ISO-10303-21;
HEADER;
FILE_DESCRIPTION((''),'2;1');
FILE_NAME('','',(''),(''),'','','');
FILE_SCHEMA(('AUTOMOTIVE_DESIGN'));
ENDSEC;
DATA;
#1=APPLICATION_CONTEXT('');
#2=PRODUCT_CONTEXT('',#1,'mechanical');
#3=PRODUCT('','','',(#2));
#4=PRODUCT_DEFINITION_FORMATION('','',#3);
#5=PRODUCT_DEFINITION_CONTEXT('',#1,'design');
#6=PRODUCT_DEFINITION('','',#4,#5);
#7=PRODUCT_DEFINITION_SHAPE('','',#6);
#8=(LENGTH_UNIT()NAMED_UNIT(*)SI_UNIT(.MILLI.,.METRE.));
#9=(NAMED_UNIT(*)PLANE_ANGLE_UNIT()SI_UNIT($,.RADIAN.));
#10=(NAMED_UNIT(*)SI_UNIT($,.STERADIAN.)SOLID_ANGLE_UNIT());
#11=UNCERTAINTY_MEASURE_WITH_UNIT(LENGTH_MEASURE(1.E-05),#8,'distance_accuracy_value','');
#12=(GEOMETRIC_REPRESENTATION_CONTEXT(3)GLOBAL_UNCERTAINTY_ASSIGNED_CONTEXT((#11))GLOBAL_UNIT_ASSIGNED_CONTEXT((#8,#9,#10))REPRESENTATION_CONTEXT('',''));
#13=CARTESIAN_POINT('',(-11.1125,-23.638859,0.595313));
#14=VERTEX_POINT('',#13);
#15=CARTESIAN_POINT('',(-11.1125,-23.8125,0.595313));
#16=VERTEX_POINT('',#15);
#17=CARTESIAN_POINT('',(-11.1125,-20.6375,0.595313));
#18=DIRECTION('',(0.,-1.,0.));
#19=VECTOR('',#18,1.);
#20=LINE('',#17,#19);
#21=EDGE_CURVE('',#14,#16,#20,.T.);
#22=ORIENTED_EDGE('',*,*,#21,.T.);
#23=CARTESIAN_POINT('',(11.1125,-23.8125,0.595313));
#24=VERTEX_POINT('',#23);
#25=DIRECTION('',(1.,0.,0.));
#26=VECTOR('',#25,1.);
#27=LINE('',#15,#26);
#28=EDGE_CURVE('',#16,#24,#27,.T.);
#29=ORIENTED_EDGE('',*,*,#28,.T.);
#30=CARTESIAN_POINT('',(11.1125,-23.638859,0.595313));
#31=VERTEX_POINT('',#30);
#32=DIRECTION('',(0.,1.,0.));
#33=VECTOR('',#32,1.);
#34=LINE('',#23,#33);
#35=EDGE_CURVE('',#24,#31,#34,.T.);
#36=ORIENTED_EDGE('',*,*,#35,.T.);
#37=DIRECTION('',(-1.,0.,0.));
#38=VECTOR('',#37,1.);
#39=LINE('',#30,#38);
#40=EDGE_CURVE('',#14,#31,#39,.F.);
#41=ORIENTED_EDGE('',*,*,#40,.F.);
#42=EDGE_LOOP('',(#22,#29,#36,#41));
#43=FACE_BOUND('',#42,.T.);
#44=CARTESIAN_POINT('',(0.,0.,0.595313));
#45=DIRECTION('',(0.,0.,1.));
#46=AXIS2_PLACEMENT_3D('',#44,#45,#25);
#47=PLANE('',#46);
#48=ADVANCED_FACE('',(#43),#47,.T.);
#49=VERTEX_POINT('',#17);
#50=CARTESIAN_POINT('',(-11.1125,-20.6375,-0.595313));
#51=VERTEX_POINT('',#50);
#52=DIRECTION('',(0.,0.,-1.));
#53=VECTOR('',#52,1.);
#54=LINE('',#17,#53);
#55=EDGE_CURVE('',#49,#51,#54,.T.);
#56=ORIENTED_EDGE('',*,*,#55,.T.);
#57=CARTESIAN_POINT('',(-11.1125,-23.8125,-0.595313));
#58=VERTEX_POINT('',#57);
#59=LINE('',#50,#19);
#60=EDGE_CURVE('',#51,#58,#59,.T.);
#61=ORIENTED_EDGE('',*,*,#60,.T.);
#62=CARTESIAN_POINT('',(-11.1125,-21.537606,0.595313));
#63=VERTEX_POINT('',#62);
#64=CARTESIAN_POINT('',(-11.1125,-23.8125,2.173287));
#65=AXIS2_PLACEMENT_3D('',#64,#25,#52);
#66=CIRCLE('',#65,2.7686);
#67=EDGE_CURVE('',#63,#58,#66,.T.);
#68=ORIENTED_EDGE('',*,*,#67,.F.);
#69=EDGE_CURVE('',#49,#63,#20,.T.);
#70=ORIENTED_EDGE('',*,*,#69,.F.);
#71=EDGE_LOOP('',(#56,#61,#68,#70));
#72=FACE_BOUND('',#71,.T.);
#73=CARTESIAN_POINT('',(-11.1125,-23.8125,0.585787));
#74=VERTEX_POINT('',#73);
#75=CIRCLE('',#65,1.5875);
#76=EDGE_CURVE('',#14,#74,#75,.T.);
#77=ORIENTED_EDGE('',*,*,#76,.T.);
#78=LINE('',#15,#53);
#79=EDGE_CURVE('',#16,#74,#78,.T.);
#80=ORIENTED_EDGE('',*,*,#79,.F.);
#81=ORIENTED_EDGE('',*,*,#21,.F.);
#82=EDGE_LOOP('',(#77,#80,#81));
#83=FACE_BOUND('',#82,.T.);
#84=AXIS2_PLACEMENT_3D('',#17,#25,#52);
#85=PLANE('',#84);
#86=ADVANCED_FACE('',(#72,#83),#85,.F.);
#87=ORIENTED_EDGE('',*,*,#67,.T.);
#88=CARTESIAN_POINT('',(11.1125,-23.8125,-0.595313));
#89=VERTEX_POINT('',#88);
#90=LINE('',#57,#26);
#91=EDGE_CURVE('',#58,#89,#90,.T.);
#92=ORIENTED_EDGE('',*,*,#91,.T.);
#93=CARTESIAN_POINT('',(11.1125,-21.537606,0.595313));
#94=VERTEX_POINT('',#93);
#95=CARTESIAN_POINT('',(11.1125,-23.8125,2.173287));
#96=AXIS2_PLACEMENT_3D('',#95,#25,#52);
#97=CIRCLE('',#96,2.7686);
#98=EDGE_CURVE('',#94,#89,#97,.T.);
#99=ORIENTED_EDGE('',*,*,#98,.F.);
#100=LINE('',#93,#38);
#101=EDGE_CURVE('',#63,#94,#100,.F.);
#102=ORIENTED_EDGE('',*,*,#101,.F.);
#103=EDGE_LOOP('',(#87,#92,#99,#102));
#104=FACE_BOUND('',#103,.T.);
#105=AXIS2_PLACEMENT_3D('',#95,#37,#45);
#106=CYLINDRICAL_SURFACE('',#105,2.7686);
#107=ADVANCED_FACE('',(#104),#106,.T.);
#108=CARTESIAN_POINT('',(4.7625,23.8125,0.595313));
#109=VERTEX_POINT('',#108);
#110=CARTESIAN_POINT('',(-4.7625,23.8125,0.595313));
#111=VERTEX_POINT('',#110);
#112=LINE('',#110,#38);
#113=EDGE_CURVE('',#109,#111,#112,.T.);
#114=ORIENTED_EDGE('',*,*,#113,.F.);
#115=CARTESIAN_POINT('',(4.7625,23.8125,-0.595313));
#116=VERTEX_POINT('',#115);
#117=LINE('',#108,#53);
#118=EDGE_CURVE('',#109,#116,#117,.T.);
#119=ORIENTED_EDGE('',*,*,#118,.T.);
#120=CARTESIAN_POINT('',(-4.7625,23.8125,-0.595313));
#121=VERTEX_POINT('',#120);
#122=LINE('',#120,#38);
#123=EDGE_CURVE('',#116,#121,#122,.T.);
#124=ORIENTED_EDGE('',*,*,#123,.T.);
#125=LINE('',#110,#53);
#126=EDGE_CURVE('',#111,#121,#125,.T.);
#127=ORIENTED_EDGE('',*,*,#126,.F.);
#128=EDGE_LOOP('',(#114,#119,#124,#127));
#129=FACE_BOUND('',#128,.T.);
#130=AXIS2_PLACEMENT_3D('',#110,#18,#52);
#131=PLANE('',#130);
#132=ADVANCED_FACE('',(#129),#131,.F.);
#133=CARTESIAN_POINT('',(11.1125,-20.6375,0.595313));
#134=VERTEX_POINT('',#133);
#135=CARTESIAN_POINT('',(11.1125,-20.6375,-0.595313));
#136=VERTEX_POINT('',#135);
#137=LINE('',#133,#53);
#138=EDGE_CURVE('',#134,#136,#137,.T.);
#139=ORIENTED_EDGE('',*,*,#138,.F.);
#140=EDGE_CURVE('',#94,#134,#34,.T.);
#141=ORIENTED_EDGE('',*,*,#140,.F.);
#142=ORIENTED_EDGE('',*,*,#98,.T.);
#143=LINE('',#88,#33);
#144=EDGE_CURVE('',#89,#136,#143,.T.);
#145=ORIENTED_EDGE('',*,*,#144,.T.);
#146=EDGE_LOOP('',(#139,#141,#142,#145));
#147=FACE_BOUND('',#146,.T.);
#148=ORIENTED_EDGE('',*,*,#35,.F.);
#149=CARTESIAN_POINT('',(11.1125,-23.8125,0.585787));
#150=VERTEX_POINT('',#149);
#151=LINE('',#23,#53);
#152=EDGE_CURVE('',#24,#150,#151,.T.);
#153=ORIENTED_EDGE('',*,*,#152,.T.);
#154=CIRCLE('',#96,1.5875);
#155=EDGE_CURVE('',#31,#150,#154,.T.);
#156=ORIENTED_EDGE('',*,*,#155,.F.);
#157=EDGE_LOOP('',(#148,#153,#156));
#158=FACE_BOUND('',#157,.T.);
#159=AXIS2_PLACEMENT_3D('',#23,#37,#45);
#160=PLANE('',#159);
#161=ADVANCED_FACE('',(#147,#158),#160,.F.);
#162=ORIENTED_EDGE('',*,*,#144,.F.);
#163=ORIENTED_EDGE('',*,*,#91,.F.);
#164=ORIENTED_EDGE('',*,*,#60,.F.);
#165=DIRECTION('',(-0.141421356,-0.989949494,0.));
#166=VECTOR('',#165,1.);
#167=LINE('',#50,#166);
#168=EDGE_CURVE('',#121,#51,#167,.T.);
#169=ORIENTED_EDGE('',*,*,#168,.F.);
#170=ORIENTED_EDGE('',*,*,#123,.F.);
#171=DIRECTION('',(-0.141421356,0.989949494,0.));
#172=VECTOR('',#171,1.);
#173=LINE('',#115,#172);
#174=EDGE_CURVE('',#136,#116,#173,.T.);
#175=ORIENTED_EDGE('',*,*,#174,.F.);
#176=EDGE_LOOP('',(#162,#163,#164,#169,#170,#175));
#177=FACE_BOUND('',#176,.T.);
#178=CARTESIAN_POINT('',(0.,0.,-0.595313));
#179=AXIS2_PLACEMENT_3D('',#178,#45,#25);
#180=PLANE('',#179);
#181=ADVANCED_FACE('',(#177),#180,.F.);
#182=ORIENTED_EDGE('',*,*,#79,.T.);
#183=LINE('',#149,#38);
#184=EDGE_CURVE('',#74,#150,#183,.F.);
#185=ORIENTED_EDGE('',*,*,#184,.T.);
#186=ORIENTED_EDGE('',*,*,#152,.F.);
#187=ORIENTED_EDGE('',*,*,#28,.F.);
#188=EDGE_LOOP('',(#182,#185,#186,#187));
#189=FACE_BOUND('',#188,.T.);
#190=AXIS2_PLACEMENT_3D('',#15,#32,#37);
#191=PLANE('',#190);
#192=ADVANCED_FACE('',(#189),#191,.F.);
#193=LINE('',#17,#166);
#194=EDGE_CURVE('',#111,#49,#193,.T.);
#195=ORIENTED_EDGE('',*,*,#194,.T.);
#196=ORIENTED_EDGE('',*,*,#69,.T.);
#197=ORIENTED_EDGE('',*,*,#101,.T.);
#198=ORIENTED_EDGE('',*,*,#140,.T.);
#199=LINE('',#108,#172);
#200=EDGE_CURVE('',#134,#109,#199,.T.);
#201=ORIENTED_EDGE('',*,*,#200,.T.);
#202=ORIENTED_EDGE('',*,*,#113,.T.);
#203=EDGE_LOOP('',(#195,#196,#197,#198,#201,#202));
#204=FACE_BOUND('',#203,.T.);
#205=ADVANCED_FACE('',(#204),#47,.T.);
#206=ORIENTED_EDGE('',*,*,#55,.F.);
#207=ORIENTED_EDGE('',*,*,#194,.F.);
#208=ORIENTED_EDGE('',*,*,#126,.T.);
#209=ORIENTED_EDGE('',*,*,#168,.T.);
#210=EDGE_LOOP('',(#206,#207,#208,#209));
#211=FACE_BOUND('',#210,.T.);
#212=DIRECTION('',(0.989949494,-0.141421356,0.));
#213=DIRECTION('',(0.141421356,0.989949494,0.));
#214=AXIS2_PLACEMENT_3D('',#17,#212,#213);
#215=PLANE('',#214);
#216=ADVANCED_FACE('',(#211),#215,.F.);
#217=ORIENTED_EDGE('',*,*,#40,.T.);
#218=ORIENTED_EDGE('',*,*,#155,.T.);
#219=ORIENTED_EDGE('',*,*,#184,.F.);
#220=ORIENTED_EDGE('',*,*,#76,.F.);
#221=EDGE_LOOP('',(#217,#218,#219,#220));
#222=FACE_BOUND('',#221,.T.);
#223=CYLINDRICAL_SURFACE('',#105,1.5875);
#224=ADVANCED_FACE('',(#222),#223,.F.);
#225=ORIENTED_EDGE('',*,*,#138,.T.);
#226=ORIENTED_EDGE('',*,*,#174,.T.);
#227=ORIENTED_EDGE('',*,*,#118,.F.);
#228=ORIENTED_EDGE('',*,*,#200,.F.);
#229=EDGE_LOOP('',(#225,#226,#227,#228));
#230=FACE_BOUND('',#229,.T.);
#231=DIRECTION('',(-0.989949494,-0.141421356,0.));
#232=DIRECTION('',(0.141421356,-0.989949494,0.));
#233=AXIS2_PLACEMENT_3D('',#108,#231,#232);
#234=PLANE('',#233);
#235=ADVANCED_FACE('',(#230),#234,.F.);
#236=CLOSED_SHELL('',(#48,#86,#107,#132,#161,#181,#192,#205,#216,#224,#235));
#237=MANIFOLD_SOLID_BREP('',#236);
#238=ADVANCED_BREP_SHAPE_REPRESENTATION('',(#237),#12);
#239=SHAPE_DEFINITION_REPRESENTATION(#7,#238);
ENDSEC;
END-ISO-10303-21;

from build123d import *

# Parameters (mm, degrees)
BOSS_EXTRUDE1_DEPTH = 0.5953125
SKETCH2_R           = 2.7686
SKETCH2_R_2         = 1.5875
BOSS_EXTRUDE2_DEPTH = 11.1125


with BuildPart() as part:
    # Sketch1 → Boss-Extrude1 (new, symmetric)
    with BuildSketch(Plane.XY):
        Polygon((-11.1125, -20.6375), (-4.7625, 23.8125), (4.7625, 23.8125), (11.1125, -20.6375), (11.1125, -23.8125), (-11.1125, -23.8125), align=None)
    extrude(amount=BOSS_EXTRUDE1_DEPTH, both=True)

    # Sketch2 → Boss-Extrude2 (add, symmetric)
    with BuildSketch(Plane(origin=(0, 0, 0), x_dir=(0, 0, -1), z_dir=(1, 0, 0))):
        with Locations((-2.1732875, -23.8125)):
            Circle(SKETCH2_R)
        with Locations((-2.1732875, -23.8125)):
            Circle(SKETCH2_R_2, mode=Mode.SUBTRACT)
    extrude(amount=BOSS_EXTRUDE2_DEPTH, both=True)


solid = part.part
